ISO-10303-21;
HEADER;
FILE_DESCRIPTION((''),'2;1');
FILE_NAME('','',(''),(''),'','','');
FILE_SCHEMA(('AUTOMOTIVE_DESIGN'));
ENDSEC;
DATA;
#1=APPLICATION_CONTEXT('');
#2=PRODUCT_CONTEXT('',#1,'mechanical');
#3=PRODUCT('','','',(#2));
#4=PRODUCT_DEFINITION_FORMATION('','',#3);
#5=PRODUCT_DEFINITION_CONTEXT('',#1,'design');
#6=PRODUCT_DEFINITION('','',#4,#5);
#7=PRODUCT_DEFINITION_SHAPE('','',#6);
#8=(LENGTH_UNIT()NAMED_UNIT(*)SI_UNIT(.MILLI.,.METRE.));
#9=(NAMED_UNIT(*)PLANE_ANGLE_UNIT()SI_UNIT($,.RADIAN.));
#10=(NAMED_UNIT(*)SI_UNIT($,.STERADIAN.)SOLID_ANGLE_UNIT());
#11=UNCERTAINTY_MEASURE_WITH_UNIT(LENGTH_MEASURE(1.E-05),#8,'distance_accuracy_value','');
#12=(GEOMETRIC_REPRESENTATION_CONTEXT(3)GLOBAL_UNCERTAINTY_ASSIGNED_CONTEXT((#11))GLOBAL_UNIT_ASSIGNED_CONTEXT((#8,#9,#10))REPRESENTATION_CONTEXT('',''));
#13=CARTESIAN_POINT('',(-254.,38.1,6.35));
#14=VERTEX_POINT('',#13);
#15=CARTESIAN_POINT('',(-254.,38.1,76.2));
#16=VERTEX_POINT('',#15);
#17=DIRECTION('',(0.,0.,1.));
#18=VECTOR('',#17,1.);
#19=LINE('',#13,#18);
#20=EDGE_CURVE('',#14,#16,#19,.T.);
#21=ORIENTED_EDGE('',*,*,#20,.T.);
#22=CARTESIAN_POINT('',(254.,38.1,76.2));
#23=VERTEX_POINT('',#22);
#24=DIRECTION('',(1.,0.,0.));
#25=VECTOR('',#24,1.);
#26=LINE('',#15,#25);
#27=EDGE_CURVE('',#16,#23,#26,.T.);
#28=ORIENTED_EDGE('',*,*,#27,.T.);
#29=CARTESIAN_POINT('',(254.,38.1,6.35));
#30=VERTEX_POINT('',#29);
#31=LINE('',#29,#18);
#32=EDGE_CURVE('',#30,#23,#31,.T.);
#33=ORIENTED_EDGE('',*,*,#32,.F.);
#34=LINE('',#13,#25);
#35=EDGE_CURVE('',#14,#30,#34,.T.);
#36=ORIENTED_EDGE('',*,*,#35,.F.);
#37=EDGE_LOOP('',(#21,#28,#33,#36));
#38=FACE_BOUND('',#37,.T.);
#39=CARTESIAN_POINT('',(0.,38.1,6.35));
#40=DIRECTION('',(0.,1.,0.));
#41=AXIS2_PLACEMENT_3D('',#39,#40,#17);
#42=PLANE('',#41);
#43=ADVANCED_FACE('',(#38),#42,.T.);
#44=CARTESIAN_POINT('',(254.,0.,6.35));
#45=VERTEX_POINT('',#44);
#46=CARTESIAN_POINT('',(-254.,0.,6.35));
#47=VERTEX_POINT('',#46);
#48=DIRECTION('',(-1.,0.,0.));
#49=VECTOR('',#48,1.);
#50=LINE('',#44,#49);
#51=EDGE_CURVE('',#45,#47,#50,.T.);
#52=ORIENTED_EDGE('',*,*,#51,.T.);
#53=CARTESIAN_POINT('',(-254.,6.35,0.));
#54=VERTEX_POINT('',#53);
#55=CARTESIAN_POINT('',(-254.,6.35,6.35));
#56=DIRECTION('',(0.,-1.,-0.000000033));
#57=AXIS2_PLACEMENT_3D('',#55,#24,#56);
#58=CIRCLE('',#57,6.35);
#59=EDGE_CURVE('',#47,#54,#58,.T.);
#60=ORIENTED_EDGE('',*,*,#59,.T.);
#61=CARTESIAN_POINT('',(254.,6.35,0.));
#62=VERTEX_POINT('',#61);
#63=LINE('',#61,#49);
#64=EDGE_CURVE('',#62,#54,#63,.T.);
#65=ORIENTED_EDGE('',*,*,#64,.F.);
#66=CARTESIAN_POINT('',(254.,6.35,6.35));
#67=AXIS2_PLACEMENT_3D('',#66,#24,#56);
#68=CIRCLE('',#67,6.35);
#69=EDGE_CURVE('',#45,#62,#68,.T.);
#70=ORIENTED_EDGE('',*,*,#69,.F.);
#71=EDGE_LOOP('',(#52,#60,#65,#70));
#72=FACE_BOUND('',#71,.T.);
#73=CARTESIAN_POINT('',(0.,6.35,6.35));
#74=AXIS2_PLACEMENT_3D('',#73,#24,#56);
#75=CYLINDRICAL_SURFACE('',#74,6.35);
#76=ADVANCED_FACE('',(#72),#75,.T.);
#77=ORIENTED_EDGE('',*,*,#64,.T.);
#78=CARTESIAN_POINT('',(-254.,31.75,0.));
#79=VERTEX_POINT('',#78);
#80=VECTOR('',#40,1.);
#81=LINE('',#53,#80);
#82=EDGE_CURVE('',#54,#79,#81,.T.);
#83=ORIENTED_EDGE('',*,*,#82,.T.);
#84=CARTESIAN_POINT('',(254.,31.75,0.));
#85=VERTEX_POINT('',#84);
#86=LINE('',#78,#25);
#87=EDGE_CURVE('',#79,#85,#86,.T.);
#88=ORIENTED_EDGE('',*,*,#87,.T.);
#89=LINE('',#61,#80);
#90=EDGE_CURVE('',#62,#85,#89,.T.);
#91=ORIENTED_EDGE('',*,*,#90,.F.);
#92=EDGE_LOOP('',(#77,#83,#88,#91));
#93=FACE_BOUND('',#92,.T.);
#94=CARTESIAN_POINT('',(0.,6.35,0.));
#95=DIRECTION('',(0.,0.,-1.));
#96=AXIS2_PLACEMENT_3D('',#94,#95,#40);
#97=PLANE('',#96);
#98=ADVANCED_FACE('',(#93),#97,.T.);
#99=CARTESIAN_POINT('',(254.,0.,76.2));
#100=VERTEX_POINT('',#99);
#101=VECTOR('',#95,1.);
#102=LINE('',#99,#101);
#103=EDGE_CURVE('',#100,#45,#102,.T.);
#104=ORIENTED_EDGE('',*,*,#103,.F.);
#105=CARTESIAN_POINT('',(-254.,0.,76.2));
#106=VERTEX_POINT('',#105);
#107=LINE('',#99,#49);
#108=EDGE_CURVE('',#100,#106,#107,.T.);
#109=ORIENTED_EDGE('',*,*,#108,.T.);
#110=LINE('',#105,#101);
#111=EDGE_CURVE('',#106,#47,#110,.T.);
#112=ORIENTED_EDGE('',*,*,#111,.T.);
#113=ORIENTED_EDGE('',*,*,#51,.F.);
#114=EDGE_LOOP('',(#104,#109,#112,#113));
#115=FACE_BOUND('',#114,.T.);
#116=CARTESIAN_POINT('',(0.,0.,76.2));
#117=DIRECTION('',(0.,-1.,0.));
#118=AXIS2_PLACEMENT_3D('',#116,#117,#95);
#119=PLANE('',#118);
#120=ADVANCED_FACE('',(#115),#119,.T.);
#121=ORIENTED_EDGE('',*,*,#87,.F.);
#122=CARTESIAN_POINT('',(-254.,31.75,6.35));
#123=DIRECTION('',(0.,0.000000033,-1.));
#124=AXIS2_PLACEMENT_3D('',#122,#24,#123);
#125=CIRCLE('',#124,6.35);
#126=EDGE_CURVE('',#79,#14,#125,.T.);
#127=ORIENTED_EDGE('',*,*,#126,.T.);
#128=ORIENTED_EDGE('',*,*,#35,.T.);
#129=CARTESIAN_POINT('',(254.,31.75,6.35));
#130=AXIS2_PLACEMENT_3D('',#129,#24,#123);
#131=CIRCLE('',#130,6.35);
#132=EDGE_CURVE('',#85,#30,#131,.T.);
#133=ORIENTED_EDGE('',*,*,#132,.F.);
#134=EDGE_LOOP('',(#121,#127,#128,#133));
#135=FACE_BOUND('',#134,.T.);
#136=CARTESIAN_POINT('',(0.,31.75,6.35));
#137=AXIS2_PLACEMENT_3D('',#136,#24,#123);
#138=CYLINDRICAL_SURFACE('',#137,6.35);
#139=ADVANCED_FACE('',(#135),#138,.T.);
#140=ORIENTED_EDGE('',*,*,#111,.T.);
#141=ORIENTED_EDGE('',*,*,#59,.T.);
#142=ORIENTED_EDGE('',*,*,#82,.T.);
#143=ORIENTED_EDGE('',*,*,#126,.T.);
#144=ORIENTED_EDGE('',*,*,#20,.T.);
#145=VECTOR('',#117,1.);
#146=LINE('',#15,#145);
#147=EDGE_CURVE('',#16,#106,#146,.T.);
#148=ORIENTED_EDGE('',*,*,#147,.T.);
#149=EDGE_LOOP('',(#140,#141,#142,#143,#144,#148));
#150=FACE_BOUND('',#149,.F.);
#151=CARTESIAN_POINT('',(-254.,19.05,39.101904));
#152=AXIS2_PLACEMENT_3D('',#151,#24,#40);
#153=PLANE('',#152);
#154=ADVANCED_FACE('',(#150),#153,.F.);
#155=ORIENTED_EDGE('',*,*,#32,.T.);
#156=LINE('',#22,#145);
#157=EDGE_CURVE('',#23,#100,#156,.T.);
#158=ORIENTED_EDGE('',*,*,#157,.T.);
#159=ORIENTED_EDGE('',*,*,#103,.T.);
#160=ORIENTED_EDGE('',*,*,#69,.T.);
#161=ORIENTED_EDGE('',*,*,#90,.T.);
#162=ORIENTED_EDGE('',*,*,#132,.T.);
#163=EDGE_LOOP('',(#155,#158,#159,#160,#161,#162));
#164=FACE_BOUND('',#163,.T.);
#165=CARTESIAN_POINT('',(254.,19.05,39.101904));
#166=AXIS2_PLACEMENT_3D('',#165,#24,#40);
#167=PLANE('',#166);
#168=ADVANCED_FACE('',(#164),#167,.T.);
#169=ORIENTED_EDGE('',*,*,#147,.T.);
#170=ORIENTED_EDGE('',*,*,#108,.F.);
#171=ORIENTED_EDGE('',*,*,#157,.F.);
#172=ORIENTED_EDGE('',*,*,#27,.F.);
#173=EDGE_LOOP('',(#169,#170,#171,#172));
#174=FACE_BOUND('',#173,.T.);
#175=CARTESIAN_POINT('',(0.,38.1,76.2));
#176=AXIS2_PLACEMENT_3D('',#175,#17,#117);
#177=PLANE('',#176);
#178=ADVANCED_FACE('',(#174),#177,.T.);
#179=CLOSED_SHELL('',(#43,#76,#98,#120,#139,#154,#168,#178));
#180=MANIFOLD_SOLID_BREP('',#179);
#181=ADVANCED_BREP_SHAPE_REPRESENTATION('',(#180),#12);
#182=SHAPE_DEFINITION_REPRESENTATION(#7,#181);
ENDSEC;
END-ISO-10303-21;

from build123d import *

# Parameters (mm, degrees)
F1_DEPTH = 254


with BuildPart() as f1:
    # F0 (on Right) → F1 (new body, symmetric)
    with BuildSketch(Plane.YZ):
        with BuildLine():
            Line((6.35, 0), (31.75, 0))
            ThreePointArc((31.75, 0), (36.240128, 1.859872), (38.1, 6.35))
            Line((38.1, 6.35), (38.1, 76.2))
            Line((38.1, 76.2), (0, 76.2))
            Line((0, 76.2), (0, 6.35))
            ThreePointArc((0, 6.35), (1.859872, 1.859872), (6.35, 0))
        make_face()
    extrude(amount=F1_DEPTH, both=True)


solid = f1.part
